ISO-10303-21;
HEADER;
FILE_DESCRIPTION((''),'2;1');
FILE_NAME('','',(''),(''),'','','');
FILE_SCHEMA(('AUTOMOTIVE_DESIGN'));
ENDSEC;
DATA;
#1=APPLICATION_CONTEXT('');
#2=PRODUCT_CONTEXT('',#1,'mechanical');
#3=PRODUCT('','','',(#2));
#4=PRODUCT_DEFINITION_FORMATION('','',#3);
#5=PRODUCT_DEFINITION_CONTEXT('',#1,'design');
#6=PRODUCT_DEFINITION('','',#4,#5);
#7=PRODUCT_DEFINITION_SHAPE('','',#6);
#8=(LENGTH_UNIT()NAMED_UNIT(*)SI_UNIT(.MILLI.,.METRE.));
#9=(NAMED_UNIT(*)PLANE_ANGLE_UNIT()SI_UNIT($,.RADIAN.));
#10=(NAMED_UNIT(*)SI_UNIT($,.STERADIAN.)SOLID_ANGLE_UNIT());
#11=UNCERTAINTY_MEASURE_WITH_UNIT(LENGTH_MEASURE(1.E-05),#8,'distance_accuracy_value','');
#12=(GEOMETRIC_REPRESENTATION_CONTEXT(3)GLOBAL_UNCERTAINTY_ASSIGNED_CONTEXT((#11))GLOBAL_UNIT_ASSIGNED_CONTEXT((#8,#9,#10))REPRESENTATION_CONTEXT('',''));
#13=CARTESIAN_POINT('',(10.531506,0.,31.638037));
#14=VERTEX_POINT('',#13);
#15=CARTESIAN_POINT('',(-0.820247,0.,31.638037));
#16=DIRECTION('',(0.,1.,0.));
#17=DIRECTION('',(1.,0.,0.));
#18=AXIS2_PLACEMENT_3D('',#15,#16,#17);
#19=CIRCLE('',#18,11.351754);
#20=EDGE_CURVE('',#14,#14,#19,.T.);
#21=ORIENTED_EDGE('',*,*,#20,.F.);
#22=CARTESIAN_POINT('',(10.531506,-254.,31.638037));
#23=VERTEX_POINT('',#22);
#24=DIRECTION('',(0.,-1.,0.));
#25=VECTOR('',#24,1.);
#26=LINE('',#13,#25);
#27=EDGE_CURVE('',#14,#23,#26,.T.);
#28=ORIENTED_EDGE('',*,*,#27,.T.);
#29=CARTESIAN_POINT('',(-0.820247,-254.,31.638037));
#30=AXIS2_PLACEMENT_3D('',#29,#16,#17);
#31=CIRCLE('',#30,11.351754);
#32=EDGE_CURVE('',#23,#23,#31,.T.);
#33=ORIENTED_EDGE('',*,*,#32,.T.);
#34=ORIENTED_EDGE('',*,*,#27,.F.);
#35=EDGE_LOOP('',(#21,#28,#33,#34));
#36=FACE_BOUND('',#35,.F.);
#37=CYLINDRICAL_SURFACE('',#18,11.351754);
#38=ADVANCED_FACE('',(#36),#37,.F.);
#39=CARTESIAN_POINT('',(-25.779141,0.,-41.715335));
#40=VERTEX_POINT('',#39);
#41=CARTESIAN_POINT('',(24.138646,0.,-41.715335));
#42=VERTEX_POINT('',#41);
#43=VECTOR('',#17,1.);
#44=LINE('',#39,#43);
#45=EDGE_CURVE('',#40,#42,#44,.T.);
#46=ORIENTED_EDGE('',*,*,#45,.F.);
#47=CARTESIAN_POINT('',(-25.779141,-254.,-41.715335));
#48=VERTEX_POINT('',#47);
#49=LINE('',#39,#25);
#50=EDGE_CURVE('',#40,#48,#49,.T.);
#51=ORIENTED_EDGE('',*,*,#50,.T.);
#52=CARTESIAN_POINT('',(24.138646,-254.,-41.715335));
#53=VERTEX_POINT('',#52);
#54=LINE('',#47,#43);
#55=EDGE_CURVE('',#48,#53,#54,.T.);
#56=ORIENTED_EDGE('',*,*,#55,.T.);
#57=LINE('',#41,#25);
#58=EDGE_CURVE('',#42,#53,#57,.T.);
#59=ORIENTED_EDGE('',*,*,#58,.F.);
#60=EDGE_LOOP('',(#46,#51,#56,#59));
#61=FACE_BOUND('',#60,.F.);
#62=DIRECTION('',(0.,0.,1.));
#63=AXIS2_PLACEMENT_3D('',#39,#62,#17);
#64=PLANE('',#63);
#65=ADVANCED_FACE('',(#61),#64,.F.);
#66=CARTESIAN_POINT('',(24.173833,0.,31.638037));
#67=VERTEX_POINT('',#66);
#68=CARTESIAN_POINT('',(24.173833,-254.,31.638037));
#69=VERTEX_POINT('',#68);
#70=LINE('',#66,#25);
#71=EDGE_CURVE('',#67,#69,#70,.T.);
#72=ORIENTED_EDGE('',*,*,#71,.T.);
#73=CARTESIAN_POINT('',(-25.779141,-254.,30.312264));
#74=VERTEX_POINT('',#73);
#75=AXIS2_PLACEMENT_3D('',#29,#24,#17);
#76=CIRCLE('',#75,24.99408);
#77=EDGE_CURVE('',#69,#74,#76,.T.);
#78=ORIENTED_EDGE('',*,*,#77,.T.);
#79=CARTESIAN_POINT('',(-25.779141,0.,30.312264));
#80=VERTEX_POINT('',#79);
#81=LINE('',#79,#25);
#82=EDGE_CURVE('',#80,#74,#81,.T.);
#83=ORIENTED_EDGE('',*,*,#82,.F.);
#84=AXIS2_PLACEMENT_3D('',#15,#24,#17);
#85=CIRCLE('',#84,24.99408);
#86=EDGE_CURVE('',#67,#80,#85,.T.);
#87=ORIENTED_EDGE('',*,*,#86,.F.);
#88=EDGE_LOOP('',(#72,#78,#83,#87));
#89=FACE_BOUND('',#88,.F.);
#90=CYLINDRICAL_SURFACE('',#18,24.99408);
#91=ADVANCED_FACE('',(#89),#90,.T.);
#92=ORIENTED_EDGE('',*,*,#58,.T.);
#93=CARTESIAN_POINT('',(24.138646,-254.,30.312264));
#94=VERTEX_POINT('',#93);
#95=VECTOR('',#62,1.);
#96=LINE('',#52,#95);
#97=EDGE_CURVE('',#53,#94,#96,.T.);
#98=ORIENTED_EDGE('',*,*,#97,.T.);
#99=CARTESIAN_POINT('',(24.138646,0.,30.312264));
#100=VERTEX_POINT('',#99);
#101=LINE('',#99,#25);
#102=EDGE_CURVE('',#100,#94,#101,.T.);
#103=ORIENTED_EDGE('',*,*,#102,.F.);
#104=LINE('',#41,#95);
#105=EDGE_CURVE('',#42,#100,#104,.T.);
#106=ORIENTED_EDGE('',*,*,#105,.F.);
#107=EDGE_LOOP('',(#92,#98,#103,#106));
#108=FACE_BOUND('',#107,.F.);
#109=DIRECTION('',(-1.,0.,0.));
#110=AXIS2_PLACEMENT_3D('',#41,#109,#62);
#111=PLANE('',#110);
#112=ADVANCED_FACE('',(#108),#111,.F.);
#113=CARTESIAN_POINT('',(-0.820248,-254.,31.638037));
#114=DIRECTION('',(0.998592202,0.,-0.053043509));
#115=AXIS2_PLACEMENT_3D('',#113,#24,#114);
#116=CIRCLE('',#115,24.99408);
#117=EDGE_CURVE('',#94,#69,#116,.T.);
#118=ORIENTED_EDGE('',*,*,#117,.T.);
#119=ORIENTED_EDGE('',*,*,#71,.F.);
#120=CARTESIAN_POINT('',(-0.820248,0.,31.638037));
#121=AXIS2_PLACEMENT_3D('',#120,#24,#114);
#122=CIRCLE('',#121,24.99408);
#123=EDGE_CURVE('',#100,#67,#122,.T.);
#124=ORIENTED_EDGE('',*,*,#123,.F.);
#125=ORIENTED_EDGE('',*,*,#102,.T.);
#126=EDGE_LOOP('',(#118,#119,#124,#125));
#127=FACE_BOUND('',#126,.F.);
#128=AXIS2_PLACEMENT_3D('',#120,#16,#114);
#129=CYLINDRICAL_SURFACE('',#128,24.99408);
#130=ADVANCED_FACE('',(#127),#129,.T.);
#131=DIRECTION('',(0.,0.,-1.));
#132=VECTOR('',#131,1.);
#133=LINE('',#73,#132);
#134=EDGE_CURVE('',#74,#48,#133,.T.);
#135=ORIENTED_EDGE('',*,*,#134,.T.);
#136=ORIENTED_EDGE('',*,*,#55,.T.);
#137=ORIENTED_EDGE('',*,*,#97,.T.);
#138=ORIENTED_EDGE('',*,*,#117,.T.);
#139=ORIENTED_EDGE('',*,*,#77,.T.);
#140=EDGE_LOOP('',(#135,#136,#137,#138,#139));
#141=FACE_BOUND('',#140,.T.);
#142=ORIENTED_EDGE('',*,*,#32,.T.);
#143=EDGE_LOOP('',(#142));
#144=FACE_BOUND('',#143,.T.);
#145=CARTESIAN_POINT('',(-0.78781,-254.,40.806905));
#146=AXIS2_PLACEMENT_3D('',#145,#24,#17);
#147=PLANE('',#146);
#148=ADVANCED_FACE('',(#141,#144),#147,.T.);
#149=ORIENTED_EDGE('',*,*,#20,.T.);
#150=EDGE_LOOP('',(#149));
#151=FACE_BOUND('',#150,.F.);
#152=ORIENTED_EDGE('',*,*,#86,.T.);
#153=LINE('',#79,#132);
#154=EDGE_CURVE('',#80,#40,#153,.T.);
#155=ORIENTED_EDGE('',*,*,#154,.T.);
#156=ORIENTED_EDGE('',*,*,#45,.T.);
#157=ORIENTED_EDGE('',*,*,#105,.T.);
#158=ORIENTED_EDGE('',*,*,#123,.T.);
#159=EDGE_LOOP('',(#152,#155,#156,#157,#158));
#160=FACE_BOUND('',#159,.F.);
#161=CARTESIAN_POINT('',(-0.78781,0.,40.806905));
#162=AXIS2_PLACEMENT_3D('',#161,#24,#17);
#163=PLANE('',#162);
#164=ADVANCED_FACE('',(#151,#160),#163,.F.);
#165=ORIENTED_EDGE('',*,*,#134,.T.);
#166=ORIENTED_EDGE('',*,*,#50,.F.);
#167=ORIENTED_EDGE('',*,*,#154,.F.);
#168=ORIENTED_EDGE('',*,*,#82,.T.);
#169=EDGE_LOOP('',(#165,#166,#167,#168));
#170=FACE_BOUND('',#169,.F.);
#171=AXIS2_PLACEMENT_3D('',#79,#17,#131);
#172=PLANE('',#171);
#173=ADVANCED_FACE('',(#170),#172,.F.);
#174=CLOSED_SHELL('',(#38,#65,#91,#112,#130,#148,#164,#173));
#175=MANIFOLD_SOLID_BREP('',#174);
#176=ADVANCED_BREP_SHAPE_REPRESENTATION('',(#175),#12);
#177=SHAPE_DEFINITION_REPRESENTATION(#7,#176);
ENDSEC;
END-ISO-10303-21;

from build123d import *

# Parameters (mm, degrees)
F1_DEPTH = 254


with BuildPart() as f1:
    # F0 (on Front) → F1 (new body)
    with BuildSketch(Plane.XZ):
        with BuildLine():
            ThreePointArc((-12.1720013865, 31.6380374134), (-0.8202474564, 42.9897913434), (10.5315064736, 31.6380374134))
            Line((10.5315064736, 31.6380374134), (24.1386462003, 31.6380374134))
            Line((24.1386462003, 31.6380374134), (24.1386462003, 30.3122636783))
            ThreePointArc((24.1386462003, 30.3122636783), (24.165034612, 30.9749171199), (24.173832814, 31.6380374134))
            ThreePointArc((24.173832814, 31.6380374134), (-1.4833677499, 56.6233194818), (-25.7791411132, 30.3122636783))
            Line((-25.7791411132, 30.3122636783), (-25.7791411132, 31.6380374134))
            Line((-25.7791411132, 31.6380374134), (-12.1720013865, 31.6380374134))
        make_face()
        with BuildLine():
            Line((24.1386462003, 31.6380374134), (10.5315064736, 31.6380374134))
            ThreePointArc((10.5315064736, 31.6380374134), (-0.8202474564, 20.2862834833), (-12.1720013865, 31.6380374134))
            Line((-12.1720013865, 31.6380374134), (-25.7791411132, 31.6380374134))
            Line((-25.7791411132, 31.6380374134), (-25.7791411132, 30.3122636783))
            ThreePointArc((-25.7791411132, 30.3122636783), (-0.8202474564, 6.6439571429), (24.1386462003, 30.3122636783))
            Line((24.1386462003, 30.3122636783), (24.1386462003, 31.6380374134))
        make_face()
        with BuildLine():
            Line((24.1386462003, -41.7153351009), (24.1386462003, 30.3122636783))
            ThreePointArc((24.1386462003, 30.3122636783), (-0.8202474564, 6.6439571429), (-25.7791411132, 30.3122636783))
            Line((-25.7791411132, 30.3122636783), (-25.7791411132, -41.7153351009))
            Line((-25.7791411132, -41.7153351009), (24.1386462003, -41.7153351009))
        make_face()
    extrude(amount=F1_DEPTH)


solid = f1.part
